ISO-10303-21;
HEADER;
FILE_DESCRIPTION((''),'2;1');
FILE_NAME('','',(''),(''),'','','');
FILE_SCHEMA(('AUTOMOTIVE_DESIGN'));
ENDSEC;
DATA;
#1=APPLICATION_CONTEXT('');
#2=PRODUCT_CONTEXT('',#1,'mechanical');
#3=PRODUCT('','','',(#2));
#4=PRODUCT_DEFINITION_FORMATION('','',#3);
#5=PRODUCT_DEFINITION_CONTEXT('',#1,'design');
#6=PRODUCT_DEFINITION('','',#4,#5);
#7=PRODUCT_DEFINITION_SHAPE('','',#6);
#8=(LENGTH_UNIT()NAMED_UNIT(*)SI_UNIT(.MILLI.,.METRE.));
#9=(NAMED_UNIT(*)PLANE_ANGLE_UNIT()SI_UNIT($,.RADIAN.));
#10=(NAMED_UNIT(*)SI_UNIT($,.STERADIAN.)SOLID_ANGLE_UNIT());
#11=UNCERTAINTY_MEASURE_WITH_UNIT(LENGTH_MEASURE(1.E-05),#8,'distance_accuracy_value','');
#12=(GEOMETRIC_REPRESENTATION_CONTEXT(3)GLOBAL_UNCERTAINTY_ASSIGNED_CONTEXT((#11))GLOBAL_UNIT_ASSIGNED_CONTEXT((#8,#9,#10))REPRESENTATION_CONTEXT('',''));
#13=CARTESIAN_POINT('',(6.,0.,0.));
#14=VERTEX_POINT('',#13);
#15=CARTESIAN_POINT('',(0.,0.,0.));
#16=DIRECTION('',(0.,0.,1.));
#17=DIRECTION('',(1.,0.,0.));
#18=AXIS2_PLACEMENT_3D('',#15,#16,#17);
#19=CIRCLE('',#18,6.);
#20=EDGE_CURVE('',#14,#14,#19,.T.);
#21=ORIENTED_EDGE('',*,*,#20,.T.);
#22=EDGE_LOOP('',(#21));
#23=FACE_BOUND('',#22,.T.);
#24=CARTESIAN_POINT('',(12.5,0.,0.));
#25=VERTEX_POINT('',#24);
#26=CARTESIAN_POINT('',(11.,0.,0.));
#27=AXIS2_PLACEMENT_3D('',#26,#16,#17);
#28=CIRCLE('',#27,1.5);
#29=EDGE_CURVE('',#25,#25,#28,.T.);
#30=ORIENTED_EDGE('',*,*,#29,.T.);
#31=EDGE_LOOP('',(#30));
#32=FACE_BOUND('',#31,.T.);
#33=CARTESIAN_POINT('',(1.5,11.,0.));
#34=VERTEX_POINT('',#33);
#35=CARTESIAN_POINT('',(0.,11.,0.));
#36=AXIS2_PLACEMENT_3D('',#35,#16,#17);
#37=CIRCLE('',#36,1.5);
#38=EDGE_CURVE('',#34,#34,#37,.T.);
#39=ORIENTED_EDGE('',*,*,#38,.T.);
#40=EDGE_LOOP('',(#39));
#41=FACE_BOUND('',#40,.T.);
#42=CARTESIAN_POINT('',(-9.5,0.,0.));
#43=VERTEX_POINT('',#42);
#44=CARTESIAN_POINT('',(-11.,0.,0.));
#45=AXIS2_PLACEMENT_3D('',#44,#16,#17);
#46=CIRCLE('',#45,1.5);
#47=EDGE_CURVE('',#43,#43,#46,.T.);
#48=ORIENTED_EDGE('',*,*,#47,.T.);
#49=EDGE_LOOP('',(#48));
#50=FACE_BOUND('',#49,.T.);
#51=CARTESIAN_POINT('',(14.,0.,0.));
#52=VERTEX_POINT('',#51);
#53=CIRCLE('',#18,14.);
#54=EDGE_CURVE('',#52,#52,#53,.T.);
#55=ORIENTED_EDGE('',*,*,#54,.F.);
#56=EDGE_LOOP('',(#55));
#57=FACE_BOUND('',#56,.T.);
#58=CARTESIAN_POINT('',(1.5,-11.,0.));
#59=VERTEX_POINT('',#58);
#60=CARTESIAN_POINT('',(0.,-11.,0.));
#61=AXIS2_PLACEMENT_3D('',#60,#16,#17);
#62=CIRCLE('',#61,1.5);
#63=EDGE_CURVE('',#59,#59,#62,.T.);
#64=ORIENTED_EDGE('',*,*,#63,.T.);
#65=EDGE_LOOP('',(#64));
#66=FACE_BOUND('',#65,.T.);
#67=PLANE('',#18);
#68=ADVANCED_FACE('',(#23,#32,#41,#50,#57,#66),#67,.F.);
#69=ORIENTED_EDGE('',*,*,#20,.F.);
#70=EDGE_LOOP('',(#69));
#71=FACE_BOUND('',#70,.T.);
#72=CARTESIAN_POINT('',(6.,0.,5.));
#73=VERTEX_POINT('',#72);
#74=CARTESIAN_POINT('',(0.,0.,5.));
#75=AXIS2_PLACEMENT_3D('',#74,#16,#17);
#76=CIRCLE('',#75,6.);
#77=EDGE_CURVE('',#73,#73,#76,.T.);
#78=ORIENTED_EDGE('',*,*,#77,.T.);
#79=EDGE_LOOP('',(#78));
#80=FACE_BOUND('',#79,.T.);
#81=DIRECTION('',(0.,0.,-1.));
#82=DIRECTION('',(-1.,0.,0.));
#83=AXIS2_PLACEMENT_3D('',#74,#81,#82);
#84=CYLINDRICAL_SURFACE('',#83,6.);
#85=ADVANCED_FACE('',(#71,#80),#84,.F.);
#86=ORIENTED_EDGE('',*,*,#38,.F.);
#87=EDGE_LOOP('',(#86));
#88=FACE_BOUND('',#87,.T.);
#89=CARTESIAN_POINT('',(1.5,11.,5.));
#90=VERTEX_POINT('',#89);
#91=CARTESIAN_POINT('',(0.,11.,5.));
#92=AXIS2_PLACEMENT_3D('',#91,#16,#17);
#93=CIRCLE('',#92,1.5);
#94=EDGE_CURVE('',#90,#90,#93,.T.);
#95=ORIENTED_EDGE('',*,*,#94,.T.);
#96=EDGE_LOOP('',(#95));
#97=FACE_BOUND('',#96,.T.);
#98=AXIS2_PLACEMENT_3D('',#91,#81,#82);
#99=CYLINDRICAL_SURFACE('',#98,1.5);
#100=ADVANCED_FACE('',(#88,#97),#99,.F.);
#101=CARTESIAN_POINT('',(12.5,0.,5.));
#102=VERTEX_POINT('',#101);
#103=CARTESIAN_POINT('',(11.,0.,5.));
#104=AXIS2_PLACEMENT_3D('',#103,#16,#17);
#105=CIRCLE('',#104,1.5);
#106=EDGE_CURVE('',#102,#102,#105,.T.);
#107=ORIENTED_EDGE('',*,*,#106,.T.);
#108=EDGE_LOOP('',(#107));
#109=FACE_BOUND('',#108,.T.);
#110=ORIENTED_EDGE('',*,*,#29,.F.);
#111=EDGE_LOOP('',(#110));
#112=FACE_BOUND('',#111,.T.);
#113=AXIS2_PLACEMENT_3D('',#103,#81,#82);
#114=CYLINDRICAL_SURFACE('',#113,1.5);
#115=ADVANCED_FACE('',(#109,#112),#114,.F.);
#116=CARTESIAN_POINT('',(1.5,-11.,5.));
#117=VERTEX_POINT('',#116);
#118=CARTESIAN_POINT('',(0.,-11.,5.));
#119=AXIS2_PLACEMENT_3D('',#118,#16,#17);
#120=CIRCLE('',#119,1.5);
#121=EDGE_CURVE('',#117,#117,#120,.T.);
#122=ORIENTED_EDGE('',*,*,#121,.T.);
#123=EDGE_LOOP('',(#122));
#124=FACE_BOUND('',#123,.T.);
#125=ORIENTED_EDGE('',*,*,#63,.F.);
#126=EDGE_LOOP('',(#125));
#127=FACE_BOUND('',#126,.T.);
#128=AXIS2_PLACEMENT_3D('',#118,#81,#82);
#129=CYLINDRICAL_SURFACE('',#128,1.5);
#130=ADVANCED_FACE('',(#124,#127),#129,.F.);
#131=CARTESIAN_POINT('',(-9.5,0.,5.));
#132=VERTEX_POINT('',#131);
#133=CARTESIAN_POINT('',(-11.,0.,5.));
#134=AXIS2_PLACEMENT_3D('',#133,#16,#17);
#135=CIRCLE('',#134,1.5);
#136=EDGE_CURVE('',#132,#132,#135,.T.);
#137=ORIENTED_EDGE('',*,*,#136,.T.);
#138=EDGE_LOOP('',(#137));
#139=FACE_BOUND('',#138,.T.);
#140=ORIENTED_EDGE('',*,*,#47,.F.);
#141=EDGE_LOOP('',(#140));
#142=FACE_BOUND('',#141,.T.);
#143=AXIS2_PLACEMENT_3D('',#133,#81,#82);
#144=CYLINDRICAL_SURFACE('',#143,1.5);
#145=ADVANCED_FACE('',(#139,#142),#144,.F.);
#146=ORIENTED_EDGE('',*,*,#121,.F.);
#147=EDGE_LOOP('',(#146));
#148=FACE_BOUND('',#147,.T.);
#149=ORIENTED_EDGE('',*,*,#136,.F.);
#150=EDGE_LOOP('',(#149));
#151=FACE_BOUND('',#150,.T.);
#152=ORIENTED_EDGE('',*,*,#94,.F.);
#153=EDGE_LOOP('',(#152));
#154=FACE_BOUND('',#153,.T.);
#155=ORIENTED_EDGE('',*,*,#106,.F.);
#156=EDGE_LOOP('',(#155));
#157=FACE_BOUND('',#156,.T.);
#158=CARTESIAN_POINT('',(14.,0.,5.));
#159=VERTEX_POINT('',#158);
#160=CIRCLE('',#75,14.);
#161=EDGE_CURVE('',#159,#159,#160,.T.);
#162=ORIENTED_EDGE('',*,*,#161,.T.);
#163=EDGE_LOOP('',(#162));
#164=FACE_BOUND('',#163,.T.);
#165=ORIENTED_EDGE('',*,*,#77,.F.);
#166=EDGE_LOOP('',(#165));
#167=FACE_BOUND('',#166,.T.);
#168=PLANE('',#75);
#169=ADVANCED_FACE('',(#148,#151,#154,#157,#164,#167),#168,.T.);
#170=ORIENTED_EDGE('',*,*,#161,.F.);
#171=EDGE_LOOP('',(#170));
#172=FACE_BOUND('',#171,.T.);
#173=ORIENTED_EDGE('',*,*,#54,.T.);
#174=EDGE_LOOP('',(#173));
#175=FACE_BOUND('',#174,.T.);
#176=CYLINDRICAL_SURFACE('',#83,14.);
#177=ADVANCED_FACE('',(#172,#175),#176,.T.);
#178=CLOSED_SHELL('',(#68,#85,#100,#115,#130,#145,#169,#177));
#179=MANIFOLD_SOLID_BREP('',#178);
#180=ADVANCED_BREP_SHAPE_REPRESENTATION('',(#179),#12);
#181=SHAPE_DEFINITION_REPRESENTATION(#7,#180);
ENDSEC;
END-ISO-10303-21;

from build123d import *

# Parameters (mm, degrees)
CROQUIS1_R              = 14
CROQUIS1_R_2            = 1.5
CROQUIS1_R_3            = 6
SALIENTE_EXTRUIR1_DEPTH = 5


with BuildPart() as part:
    # Croquis1 → Saliente-Extruir1 (new body)
    with BuildSketch(Plane.XY):
        Circle(CROQUIS1_R)
        with Locations((11, 0)):
            Circle(CROQUIS1_R_2, mode=Mode.SUBTRACT)
        with Locations((0, -11)):
            Circle(CROQUIS1_R_2, mode=Mode.SUBTRACT)
        with Locations((-11, 0)):
            Circle(CROQUIS1_R_2, mode=Mode.SUBTRACT)
        with Locations((0, 11)):
            Circle(CROQUIS1_R_2, mode=Mode.SUBTRACT)
        Circle(CROQUIS1_R_3, mode=Mode.SUBTRACT)
    extrude(amount=SALIENTE_EXTRUIR1_DEPTH)


solid = part.part
